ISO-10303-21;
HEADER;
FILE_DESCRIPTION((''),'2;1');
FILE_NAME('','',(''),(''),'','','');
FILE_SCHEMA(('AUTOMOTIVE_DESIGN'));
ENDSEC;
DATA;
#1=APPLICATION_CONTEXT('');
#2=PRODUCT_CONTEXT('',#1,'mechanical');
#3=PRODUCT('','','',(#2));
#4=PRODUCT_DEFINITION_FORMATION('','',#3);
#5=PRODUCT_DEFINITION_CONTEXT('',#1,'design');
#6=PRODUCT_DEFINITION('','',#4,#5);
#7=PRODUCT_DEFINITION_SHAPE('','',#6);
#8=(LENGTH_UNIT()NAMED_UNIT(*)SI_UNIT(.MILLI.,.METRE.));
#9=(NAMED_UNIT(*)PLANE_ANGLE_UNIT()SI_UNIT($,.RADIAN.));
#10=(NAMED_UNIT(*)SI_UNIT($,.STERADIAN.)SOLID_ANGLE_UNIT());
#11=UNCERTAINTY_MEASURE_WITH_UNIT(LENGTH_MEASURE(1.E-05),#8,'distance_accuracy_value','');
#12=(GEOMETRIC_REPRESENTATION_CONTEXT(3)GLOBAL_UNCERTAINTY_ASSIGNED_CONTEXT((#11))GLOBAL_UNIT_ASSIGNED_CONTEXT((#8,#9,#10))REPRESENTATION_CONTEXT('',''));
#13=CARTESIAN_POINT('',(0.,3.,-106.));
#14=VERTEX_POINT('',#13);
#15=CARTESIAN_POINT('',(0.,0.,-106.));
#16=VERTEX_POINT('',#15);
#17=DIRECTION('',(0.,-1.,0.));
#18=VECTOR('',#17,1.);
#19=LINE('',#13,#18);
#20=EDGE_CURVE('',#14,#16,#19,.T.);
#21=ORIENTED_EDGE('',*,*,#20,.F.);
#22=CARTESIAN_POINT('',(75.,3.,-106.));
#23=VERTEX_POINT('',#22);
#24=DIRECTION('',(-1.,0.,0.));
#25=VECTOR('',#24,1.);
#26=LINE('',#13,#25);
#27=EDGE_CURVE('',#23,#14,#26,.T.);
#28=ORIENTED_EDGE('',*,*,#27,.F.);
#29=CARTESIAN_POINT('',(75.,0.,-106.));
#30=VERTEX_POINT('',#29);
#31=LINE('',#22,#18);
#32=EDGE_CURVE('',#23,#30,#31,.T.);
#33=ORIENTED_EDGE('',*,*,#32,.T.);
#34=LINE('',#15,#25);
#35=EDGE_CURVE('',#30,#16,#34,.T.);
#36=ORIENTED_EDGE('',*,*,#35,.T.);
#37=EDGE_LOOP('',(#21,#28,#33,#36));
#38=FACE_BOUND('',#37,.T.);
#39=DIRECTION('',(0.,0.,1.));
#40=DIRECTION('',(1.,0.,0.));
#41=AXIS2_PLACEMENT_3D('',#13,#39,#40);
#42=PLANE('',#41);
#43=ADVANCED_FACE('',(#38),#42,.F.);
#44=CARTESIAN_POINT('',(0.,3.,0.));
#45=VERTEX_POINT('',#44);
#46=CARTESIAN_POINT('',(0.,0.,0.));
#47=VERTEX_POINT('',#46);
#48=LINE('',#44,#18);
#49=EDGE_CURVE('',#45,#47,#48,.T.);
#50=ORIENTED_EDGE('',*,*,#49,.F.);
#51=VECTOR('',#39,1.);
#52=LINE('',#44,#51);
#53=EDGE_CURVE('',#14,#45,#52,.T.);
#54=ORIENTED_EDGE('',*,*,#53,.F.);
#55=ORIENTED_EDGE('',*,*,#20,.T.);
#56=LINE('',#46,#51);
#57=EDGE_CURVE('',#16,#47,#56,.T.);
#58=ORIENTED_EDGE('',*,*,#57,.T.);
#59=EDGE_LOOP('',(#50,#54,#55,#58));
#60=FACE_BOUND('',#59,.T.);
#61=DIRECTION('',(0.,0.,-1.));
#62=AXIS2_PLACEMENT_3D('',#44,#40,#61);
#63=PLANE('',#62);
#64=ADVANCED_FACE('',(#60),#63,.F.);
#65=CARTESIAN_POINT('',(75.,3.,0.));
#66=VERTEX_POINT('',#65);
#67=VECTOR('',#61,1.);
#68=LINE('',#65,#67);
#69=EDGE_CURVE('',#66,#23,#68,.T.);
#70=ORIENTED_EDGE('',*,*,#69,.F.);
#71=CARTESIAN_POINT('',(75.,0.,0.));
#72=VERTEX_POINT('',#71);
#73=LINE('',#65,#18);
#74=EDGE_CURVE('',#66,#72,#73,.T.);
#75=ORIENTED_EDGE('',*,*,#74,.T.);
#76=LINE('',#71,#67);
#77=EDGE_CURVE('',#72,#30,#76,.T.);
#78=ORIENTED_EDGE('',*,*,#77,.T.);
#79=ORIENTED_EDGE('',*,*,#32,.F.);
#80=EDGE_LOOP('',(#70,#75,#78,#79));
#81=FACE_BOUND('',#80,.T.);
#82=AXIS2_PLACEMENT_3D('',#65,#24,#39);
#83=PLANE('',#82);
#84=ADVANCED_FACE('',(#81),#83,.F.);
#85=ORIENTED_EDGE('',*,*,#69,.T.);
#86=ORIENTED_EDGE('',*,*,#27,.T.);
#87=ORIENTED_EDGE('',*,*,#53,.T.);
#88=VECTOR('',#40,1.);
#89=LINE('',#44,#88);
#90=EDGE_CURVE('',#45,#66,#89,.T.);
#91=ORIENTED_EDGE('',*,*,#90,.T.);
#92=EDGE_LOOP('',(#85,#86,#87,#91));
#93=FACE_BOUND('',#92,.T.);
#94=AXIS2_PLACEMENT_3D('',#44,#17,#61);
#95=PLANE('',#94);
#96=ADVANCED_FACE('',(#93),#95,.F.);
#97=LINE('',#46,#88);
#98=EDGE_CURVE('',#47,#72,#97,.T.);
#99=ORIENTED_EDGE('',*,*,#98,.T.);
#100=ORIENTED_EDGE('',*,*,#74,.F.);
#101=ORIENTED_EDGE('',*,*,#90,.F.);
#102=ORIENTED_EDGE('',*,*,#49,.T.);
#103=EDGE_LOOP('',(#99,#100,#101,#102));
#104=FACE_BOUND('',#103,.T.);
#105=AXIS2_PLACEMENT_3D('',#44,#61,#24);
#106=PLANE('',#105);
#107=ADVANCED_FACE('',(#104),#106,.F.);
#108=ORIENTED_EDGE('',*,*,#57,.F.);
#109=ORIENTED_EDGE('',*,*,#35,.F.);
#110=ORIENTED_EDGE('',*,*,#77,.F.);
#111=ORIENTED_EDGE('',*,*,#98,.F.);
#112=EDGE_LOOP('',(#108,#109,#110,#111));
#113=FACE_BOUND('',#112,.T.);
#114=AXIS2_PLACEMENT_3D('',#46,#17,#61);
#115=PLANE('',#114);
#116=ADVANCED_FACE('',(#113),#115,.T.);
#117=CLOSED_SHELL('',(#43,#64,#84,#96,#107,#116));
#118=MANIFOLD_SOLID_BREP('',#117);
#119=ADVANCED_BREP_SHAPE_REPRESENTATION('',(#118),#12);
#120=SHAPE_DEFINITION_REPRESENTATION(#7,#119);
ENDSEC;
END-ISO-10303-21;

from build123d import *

# Parameters (mm, degrees)
CROQUIS1_W              = 75
CROQUIS1_H              = 106
SALIENTE_EXTRUIR1_DEPTH = 3


with BuildPart() as part:
    # Croquis1 → Saliente-Extruir1 (new body)
    with BuildSketch(Plane(origin=(0, 0, 0), x_dir=(1, 0, 0), z_dir=(0, 1, 0))):
        with Locations((37.5, 53)):
            Rectangle(CROQUIS1_W, CROQUIS1_H)
    extrude(amount=SALIENTE_EXTRUIR1_DEPTH)


solid = part.part
